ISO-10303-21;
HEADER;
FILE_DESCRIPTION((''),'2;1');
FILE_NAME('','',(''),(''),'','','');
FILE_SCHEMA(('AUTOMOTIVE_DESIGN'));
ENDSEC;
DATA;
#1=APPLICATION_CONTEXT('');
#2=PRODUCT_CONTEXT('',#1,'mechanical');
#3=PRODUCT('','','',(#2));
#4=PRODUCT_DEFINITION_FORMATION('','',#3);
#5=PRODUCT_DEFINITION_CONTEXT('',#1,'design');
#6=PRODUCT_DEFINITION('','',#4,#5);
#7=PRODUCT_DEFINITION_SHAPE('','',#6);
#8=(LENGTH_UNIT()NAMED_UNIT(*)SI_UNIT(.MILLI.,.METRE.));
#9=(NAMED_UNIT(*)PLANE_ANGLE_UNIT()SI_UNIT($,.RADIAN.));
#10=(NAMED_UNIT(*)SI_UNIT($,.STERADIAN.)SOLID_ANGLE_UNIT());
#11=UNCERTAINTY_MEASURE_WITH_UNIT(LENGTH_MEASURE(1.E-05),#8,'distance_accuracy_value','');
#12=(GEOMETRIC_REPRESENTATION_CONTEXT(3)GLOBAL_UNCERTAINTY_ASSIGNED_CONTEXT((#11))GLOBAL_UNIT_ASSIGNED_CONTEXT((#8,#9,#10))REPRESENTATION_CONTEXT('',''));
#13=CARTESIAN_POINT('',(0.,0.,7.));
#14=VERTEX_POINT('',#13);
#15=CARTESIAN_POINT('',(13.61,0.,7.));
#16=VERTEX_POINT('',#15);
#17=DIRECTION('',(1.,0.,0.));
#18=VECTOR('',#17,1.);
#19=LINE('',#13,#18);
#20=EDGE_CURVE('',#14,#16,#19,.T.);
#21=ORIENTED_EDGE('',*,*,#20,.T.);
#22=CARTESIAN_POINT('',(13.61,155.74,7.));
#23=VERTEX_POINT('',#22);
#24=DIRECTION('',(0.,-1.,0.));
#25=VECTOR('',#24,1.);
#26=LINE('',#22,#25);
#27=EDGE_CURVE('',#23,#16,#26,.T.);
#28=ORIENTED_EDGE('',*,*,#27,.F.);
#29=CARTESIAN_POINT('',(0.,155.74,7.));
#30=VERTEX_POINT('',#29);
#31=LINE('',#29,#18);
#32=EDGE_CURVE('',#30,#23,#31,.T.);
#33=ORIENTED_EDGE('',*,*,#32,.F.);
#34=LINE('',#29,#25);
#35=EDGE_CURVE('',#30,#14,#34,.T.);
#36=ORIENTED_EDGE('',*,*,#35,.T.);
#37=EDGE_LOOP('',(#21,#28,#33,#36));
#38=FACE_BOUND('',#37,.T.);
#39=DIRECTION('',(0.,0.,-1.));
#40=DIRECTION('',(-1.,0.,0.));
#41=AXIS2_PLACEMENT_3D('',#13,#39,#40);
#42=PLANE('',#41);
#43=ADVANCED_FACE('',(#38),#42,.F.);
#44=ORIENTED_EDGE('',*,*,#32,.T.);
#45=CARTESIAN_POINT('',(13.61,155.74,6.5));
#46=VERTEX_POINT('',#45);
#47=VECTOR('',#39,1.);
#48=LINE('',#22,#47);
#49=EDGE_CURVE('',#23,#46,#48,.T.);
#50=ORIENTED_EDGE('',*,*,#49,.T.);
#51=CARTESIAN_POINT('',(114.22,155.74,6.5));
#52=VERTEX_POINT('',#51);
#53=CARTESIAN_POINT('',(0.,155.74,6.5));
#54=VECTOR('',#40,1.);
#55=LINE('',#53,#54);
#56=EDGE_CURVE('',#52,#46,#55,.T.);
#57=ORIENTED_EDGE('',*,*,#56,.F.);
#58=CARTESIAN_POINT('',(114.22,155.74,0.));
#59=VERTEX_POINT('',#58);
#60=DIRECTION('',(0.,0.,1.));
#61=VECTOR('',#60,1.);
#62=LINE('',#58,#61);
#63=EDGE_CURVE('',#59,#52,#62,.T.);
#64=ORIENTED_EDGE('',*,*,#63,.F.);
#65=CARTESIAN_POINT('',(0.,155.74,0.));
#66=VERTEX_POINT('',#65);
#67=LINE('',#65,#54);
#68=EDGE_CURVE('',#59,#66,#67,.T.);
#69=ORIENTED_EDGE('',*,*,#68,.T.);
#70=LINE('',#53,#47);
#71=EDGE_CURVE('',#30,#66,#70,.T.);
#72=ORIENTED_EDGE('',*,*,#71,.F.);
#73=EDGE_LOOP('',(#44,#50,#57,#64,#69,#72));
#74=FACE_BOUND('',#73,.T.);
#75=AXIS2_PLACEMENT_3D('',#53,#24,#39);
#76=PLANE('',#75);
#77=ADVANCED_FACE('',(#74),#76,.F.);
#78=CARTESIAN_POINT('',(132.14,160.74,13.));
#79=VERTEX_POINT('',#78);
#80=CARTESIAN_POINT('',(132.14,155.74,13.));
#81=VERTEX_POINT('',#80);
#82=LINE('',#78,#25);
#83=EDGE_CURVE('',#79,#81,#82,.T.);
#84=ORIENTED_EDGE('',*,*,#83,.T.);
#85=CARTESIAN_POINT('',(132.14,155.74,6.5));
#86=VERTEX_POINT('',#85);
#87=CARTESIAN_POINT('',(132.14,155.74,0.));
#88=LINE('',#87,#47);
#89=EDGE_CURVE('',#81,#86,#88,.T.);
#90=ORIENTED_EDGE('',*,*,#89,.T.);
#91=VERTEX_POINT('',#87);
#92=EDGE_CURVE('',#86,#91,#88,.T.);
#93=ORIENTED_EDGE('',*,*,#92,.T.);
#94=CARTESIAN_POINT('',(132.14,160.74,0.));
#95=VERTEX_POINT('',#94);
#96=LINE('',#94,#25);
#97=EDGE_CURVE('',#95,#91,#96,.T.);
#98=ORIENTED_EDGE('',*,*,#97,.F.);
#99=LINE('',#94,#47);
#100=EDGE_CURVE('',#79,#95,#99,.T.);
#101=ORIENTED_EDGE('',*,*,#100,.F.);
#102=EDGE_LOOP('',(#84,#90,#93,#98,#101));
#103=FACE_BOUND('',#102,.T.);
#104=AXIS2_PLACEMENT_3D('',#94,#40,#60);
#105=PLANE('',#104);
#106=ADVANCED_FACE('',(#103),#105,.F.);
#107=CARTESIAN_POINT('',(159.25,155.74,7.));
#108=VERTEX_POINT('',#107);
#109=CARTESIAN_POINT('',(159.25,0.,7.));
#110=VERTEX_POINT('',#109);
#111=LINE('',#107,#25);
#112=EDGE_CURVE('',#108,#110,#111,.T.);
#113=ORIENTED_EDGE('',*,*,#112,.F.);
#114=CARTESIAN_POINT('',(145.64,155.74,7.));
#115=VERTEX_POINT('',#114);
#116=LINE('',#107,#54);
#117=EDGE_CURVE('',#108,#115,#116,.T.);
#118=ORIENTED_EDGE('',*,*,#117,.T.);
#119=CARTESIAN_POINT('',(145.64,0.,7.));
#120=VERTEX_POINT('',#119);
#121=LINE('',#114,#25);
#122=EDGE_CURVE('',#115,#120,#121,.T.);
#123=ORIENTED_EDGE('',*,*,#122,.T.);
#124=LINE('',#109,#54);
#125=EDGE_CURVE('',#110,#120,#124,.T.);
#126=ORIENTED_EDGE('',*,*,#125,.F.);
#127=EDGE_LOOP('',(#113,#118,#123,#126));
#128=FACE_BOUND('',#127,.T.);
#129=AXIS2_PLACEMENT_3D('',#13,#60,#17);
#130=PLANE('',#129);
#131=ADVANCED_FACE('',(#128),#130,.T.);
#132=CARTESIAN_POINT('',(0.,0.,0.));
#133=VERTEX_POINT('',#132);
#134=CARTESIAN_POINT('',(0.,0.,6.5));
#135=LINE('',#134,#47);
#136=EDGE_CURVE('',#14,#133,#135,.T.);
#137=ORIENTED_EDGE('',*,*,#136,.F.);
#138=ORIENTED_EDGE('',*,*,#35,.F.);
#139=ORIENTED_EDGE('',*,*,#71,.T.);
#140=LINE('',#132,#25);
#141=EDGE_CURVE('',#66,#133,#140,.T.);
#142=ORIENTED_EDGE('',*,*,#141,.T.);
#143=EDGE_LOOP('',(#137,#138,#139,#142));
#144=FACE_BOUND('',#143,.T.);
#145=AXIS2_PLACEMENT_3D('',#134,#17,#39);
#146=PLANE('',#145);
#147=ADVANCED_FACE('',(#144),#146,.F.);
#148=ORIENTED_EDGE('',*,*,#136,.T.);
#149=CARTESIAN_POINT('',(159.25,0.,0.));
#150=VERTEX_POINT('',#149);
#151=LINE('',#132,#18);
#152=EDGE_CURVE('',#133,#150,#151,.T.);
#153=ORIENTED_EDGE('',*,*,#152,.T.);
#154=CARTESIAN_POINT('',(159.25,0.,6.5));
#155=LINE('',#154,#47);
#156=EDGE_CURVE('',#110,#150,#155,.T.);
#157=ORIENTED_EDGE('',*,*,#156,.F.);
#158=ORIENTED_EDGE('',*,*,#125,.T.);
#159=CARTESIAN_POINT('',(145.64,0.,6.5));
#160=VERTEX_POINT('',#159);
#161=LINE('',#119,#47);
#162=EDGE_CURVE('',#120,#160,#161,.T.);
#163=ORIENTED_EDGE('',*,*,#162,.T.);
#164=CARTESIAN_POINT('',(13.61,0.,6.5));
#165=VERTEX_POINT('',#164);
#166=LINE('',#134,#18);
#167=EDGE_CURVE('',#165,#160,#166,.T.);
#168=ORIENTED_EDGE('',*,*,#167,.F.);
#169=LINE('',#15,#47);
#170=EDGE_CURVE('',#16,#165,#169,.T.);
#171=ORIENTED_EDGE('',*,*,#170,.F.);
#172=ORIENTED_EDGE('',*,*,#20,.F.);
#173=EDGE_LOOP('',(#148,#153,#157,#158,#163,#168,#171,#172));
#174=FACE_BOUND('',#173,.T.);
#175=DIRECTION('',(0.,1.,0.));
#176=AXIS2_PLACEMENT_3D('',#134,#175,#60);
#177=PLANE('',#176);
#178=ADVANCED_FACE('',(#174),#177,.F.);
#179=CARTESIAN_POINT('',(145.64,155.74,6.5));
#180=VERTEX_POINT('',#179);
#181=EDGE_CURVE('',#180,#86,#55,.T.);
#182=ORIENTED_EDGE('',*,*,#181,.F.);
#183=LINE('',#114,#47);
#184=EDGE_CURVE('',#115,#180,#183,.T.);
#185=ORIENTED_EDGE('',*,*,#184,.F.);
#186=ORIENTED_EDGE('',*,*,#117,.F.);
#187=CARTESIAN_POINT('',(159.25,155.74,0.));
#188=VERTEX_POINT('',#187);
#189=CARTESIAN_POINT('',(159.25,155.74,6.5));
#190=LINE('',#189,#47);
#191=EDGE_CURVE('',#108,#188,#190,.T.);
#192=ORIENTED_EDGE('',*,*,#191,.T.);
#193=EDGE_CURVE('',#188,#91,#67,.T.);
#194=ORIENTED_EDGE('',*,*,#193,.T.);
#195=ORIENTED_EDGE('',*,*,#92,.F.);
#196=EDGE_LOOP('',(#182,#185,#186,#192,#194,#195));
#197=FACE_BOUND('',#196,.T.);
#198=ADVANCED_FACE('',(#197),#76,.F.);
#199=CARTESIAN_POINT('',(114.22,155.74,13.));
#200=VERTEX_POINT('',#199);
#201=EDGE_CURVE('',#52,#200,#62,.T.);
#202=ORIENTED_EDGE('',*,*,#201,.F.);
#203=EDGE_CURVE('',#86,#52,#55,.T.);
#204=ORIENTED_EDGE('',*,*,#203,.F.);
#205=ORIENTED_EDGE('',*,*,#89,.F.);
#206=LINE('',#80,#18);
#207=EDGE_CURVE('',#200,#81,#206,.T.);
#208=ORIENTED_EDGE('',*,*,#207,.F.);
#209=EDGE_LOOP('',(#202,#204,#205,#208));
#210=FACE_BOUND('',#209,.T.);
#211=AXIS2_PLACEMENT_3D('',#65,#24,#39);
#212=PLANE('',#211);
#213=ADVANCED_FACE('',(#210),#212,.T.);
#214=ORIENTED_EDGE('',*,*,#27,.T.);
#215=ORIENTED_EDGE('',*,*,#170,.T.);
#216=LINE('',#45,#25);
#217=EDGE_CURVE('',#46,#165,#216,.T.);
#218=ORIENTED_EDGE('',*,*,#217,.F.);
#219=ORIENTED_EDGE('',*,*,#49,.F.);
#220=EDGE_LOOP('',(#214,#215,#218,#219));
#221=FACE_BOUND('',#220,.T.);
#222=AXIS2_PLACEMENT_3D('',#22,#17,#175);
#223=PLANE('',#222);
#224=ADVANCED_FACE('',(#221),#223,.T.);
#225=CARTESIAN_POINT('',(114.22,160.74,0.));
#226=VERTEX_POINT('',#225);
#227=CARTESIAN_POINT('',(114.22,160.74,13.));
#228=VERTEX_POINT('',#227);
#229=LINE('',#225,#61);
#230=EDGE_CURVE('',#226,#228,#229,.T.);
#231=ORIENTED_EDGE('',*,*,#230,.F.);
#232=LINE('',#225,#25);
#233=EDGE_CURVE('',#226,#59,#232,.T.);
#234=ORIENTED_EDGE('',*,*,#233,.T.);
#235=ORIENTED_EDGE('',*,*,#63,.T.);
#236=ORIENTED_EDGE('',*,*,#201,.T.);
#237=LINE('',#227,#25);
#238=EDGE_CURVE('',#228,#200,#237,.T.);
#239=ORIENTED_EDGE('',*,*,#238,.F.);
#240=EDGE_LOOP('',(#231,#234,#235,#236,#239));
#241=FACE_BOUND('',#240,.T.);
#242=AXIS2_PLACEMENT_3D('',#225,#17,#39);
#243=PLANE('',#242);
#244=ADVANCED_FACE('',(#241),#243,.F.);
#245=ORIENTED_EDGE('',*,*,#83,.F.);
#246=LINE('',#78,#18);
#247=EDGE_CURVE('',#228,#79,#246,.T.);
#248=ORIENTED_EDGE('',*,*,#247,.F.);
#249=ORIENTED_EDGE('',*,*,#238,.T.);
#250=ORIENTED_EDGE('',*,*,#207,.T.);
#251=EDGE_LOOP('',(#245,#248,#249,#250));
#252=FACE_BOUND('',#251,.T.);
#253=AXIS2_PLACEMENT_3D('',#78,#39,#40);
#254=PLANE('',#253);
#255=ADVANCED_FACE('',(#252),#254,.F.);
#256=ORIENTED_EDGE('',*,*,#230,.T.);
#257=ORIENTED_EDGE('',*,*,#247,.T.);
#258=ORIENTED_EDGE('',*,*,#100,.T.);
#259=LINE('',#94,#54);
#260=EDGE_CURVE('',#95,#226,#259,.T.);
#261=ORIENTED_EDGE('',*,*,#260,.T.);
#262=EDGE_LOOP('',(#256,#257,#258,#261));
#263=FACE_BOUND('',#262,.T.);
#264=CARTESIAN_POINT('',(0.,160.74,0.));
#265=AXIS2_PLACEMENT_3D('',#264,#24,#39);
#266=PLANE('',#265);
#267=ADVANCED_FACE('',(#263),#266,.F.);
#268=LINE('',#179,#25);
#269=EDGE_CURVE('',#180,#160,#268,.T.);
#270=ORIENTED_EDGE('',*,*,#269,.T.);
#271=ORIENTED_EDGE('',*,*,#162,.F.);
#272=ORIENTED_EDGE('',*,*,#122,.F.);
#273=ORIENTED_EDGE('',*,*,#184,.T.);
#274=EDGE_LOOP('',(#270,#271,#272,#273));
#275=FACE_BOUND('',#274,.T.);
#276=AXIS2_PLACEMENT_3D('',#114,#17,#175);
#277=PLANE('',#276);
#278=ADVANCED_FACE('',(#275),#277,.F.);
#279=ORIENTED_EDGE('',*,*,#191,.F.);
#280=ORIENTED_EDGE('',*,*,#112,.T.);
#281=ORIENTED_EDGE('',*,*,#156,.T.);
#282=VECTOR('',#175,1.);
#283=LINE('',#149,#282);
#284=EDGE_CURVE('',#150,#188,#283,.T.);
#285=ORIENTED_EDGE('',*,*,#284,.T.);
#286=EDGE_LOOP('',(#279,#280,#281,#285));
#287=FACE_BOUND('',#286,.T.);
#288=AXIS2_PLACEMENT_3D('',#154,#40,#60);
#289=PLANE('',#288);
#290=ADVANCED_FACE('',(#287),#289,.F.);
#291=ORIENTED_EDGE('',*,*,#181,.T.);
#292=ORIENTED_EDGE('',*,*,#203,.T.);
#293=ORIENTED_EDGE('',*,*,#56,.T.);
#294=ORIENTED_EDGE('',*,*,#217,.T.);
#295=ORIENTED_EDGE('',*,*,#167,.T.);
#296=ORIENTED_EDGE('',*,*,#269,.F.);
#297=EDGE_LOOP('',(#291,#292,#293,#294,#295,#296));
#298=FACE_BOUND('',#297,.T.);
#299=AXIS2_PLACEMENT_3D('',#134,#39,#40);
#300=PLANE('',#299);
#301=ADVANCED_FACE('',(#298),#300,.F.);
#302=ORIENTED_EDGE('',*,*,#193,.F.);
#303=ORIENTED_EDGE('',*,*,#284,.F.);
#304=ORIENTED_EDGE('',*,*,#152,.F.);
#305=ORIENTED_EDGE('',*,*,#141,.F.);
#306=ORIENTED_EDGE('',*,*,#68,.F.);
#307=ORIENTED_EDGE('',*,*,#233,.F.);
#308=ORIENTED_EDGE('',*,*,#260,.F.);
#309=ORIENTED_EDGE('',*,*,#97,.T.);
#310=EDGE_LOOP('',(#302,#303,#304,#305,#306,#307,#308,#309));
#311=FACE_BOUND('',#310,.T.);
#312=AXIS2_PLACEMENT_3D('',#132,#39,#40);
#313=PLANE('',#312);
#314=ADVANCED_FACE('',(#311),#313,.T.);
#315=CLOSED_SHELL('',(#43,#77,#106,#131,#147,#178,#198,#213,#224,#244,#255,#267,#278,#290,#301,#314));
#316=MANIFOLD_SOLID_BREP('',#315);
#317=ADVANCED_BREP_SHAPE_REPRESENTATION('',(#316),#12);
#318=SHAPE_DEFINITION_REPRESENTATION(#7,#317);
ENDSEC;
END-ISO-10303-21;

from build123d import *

# Parameters (mm, degrees)
SKETCH1_W           = 159.25
SKETCH1_H           = 155.74
BOSS_EXTRUDE1_DEPTH = 6.5
SKETCH2_W           = 13.61
SKETCH2_H           = 155.74
BOSS_EXTRUDE2_DEPTH = 0.5
SKETCH3_W           = 17.92
SKETCH3_H           = 13
BOSS_EXTRUDE3_DEPTH = 5


with BuildPart() as part:
    # Sketch1 → Boss-Extrude1 (new body)
    with BuildSketch(Plane.XY):
        with Locations((79.625, 77.87)):
            Rectangle(SKETCH1_W, SKETCH1_H)
    extrude(amount=BOSS_EXTRUDE1_DEPTH)

    # Sketch2 → Boss-Extrude2 (add)
    with BuildSketch(Plane.XY.offset(6.5)):
        with Locations((6.805, 77.87)):
            Rectangle(SKETCH2_W, SKETCH2_H)
        with Locations((152.445, 77.87)):
            Rectangle(SKETCH2_W, SKETCH2_H)
    extrude(amount=BOSS_EXTRUDE2_DEPTH)

    # Sketch3 → Boss-Extrude3 (add)
    with BuildSketch(Plane(origin=(0, 155.74, 0), x_dir=(1, 0, 0), z_dir=(0, 1, 0))):
        with Locations((123.18, -6.5)):
            Rectangle(SKETCH3_W, SKETCH3_H)
    extrude(amount=BOSS_EXTRUDE3_DEPTH)


solid = part.part
